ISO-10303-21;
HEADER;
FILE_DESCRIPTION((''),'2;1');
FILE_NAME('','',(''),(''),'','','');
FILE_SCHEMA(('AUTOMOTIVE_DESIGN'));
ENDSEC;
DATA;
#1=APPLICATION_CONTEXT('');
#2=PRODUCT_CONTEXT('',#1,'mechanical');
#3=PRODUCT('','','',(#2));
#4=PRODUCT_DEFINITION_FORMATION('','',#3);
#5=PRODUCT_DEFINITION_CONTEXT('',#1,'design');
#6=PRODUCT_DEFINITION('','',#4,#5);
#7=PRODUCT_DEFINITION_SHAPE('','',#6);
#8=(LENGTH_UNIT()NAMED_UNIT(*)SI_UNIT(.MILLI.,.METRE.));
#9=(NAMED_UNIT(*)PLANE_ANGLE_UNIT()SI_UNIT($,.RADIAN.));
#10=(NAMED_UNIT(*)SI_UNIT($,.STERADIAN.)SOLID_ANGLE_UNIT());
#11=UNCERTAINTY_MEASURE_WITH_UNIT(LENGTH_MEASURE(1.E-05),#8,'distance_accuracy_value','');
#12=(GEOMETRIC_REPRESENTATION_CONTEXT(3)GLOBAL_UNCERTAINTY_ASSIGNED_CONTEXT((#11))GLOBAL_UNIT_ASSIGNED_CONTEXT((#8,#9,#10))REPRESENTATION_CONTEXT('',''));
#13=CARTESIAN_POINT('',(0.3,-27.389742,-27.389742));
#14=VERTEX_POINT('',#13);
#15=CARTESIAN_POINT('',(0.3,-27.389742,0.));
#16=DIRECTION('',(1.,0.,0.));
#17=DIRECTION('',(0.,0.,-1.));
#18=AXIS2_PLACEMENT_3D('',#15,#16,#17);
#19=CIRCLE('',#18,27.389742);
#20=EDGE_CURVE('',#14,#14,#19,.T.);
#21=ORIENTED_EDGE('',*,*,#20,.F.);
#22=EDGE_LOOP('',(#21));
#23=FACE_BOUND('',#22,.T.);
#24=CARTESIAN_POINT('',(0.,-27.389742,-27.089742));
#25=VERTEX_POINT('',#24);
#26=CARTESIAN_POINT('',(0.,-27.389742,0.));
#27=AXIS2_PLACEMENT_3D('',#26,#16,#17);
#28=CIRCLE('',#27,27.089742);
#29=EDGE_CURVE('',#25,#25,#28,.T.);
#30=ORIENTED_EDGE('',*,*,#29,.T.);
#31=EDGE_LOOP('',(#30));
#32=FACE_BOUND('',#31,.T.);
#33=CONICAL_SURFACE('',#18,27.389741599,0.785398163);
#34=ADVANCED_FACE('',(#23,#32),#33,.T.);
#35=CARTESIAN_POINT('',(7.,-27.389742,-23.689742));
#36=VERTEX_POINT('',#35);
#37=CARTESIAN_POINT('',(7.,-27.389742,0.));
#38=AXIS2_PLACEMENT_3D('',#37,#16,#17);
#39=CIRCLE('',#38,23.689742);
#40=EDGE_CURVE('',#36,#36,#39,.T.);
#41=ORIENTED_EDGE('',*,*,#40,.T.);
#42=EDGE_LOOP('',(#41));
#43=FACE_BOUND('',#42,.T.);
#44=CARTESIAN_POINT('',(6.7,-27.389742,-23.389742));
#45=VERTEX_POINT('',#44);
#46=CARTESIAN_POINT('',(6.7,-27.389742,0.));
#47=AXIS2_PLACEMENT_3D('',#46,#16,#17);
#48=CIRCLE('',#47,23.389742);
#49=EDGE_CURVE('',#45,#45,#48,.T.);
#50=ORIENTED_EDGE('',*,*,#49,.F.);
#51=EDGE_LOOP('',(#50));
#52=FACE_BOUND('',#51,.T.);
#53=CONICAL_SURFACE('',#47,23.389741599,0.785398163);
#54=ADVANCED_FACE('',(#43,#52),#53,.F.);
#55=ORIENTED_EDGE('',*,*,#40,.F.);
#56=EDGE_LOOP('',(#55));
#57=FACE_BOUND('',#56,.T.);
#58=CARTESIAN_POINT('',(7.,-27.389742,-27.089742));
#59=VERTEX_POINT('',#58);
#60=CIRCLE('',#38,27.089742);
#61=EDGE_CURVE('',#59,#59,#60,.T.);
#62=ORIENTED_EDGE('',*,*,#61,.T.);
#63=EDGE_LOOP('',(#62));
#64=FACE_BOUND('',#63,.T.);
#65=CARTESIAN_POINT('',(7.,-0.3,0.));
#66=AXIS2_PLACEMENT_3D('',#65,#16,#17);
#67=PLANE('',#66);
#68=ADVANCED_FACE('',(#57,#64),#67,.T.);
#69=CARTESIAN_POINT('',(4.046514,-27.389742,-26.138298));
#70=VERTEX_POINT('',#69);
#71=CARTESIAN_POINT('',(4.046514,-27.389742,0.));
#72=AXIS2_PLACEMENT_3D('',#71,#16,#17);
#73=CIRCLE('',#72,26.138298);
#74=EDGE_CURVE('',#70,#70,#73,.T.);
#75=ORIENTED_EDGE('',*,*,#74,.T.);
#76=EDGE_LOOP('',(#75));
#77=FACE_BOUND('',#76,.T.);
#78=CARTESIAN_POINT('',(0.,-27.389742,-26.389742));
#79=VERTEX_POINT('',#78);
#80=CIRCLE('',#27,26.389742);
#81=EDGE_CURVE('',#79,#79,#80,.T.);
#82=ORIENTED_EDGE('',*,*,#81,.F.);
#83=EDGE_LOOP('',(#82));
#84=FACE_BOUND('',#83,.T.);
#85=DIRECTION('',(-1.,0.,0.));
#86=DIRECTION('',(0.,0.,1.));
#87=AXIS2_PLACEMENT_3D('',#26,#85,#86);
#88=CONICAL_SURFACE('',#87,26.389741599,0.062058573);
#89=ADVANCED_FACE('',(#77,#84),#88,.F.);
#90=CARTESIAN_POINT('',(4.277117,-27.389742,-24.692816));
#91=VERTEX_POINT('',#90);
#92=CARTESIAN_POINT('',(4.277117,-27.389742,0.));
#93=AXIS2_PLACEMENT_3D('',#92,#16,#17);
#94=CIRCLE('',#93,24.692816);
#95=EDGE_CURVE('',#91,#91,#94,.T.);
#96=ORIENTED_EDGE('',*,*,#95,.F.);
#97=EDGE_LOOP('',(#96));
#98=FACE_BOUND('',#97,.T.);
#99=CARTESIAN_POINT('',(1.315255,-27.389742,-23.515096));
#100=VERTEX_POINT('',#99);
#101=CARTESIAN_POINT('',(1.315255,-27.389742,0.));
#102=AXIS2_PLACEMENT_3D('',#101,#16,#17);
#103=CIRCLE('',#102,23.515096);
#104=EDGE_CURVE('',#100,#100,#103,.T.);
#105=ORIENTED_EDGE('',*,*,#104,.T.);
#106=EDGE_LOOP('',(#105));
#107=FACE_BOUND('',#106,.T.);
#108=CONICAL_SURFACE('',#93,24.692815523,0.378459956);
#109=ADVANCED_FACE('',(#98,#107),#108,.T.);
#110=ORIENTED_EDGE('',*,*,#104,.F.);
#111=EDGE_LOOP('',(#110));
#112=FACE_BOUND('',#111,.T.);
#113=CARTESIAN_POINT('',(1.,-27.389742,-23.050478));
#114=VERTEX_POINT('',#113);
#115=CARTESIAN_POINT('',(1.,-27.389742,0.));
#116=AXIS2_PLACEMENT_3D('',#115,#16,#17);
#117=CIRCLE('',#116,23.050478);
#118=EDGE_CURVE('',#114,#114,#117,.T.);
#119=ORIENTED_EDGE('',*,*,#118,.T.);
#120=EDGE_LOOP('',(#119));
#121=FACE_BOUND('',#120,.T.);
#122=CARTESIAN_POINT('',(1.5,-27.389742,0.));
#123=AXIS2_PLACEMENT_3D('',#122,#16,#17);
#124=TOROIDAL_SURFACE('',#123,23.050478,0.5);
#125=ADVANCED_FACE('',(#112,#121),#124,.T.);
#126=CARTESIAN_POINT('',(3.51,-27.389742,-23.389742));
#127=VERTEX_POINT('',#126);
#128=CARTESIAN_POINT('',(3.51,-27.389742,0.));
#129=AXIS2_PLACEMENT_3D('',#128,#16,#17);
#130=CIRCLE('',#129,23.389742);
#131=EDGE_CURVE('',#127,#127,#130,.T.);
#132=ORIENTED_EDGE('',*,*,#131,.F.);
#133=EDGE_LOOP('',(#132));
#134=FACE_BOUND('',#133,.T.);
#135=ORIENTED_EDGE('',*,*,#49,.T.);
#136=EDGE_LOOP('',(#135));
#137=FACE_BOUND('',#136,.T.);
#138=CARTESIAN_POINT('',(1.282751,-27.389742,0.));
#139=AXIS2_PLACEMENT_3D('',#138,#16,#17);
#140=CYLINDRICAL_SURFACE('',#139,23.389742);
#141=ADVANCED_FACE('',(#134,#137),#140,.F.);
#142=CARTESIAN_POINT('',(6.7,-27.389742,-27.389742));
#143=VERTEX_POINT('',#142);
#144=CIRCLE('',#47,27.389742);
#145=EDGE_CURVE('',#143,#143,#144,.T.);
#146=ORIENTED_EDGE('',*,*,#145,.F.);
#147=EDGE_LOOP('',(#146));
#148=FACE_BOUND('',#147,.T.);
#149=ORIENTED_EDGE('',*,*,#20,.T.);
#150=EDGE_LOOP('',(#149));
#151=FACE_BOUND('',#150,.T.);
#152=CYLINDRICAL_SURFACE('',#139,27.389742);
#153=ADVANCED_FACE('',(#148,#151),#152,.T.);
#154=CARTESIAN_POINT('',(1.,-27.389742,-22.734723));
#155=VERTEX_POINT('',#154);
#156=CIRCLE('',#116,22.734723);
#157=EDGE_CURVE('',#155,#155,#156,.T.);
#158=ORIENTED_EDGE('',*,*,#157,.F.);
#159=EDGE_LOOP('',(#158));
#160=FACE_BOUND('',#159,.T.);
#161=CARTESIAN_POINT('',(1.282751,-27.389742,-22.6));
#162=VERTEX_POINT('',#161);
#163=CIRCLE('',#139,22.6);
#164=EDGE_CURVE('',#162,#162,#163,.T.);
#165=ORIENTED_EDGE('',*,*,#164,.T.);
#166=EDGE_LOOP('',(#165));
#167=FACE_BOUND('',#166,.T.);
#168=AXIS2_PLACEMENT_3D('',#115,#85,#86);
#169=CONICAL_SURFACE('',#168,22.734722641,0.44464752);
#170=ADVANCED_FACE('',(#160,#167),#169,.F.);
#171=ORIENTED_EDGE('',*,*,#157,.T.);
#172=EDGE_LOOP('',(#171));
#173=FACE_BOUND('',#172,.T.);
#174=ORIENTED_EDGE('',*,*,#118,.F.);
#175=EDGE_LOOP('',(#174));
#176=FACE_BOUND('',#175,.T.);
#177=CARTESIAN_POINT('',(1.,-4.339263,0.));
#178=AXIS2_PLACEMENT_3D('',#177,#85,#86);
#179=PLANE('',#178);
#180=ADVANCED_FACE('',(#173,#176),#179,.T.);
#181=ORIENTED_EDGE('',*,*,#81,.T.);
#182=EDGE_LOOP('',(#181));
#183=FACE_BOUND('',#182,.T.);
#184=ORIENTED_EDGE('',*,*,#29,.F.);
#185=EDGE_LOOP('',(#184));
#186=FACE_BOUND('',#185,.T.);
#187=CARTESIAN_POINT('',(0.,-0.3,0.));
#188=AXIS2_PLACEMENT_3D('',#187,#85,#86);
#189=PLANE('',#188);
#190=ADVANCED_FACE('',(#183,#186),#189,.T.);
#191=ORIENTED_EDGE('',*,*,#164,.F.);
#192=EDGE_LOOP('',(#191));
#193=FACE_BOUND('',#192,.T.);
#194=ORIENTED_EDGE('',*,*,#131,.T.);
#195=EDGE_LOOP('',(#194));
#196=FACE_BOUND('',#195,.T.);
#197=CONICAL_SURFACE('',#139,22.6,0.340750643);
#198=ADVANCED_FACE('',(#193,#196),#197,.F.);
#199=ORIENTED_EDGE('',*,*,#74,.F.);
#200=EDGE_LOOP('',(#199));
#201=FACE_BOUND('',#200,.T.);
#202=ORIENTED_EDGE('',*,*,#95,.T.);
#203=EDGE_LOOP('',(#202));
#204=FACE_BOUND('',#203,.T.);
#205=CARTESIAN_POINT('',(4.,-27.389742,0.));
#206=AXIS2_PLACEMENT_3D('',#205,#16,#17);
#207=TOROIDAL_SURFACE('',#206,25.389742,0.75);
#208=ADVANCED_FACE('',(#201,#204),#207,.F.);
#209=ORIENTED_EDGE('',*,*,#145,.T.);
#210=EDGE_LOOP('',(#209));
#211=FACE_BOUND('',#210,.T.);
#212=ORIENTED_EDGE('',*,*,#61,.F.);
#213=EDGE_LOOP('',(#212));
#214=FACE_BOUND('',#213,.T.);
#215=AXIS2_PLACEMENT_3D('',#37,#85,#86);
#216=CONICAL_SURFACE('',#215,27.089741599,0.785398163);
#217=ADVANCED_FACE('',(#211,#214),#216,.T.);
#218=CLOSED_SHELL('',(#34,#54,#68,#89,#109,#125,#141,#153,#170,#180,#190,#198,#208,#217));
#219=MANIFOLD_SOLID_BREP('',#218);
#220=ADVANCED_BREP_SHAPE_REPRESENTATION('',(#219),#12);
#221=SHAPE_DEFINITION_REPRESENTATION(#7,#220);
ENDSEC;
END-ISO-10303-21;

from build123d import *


with BuildPart() as part:
    # Sketch1 → Revolve1 (revolve)
    with BuildSketch(Plane.XY, mode=Mode.PRIVATE) as revolve1_sk:
        with BuildLine():
            Line((0.3, 0), (6.7, 0))
            Line((6.7, 0), (7, -0.3))
            Line((7, -0.3), (7, -3.7))
            Line((7, -3.7), (6.7, -4))
            Line((6.7, -4), (3.51, -4))
            Line((3.51, -4), (1.282751221, -4.789741599))
            Line((1.282751221, -4.789741599), (1, -4.655018958))
            Line((1, -4.655018958), (1, -4.33926311))
            ThreePointArc((1, -4.33926311), (1.086253422, -4.058525208), (1.315255077, -3.874645726))
            Line((1.315255077, -3.874645726), (4.277117384, -2.696926076))
            ThreePointArc((4.277117384, -2.696926076), (4.740634261, -1.881843783), (4.04651406, -1.251443761))
            Line((4.04651406, -1.251443761), (0, -1))
            Line((0, -1), (0, -0.3))
            Line((0, -0.3), (0.3, 0))
        make_face()
    revolve(revolve1_sk.sketch.rotate(Axis((1.282751221, -27.389741599, 0), (-1, 0, 0)), 90), axis=Axis((1.282751221, -27.389741599, 0), (-1, 0, 0)))


solid = part.part
